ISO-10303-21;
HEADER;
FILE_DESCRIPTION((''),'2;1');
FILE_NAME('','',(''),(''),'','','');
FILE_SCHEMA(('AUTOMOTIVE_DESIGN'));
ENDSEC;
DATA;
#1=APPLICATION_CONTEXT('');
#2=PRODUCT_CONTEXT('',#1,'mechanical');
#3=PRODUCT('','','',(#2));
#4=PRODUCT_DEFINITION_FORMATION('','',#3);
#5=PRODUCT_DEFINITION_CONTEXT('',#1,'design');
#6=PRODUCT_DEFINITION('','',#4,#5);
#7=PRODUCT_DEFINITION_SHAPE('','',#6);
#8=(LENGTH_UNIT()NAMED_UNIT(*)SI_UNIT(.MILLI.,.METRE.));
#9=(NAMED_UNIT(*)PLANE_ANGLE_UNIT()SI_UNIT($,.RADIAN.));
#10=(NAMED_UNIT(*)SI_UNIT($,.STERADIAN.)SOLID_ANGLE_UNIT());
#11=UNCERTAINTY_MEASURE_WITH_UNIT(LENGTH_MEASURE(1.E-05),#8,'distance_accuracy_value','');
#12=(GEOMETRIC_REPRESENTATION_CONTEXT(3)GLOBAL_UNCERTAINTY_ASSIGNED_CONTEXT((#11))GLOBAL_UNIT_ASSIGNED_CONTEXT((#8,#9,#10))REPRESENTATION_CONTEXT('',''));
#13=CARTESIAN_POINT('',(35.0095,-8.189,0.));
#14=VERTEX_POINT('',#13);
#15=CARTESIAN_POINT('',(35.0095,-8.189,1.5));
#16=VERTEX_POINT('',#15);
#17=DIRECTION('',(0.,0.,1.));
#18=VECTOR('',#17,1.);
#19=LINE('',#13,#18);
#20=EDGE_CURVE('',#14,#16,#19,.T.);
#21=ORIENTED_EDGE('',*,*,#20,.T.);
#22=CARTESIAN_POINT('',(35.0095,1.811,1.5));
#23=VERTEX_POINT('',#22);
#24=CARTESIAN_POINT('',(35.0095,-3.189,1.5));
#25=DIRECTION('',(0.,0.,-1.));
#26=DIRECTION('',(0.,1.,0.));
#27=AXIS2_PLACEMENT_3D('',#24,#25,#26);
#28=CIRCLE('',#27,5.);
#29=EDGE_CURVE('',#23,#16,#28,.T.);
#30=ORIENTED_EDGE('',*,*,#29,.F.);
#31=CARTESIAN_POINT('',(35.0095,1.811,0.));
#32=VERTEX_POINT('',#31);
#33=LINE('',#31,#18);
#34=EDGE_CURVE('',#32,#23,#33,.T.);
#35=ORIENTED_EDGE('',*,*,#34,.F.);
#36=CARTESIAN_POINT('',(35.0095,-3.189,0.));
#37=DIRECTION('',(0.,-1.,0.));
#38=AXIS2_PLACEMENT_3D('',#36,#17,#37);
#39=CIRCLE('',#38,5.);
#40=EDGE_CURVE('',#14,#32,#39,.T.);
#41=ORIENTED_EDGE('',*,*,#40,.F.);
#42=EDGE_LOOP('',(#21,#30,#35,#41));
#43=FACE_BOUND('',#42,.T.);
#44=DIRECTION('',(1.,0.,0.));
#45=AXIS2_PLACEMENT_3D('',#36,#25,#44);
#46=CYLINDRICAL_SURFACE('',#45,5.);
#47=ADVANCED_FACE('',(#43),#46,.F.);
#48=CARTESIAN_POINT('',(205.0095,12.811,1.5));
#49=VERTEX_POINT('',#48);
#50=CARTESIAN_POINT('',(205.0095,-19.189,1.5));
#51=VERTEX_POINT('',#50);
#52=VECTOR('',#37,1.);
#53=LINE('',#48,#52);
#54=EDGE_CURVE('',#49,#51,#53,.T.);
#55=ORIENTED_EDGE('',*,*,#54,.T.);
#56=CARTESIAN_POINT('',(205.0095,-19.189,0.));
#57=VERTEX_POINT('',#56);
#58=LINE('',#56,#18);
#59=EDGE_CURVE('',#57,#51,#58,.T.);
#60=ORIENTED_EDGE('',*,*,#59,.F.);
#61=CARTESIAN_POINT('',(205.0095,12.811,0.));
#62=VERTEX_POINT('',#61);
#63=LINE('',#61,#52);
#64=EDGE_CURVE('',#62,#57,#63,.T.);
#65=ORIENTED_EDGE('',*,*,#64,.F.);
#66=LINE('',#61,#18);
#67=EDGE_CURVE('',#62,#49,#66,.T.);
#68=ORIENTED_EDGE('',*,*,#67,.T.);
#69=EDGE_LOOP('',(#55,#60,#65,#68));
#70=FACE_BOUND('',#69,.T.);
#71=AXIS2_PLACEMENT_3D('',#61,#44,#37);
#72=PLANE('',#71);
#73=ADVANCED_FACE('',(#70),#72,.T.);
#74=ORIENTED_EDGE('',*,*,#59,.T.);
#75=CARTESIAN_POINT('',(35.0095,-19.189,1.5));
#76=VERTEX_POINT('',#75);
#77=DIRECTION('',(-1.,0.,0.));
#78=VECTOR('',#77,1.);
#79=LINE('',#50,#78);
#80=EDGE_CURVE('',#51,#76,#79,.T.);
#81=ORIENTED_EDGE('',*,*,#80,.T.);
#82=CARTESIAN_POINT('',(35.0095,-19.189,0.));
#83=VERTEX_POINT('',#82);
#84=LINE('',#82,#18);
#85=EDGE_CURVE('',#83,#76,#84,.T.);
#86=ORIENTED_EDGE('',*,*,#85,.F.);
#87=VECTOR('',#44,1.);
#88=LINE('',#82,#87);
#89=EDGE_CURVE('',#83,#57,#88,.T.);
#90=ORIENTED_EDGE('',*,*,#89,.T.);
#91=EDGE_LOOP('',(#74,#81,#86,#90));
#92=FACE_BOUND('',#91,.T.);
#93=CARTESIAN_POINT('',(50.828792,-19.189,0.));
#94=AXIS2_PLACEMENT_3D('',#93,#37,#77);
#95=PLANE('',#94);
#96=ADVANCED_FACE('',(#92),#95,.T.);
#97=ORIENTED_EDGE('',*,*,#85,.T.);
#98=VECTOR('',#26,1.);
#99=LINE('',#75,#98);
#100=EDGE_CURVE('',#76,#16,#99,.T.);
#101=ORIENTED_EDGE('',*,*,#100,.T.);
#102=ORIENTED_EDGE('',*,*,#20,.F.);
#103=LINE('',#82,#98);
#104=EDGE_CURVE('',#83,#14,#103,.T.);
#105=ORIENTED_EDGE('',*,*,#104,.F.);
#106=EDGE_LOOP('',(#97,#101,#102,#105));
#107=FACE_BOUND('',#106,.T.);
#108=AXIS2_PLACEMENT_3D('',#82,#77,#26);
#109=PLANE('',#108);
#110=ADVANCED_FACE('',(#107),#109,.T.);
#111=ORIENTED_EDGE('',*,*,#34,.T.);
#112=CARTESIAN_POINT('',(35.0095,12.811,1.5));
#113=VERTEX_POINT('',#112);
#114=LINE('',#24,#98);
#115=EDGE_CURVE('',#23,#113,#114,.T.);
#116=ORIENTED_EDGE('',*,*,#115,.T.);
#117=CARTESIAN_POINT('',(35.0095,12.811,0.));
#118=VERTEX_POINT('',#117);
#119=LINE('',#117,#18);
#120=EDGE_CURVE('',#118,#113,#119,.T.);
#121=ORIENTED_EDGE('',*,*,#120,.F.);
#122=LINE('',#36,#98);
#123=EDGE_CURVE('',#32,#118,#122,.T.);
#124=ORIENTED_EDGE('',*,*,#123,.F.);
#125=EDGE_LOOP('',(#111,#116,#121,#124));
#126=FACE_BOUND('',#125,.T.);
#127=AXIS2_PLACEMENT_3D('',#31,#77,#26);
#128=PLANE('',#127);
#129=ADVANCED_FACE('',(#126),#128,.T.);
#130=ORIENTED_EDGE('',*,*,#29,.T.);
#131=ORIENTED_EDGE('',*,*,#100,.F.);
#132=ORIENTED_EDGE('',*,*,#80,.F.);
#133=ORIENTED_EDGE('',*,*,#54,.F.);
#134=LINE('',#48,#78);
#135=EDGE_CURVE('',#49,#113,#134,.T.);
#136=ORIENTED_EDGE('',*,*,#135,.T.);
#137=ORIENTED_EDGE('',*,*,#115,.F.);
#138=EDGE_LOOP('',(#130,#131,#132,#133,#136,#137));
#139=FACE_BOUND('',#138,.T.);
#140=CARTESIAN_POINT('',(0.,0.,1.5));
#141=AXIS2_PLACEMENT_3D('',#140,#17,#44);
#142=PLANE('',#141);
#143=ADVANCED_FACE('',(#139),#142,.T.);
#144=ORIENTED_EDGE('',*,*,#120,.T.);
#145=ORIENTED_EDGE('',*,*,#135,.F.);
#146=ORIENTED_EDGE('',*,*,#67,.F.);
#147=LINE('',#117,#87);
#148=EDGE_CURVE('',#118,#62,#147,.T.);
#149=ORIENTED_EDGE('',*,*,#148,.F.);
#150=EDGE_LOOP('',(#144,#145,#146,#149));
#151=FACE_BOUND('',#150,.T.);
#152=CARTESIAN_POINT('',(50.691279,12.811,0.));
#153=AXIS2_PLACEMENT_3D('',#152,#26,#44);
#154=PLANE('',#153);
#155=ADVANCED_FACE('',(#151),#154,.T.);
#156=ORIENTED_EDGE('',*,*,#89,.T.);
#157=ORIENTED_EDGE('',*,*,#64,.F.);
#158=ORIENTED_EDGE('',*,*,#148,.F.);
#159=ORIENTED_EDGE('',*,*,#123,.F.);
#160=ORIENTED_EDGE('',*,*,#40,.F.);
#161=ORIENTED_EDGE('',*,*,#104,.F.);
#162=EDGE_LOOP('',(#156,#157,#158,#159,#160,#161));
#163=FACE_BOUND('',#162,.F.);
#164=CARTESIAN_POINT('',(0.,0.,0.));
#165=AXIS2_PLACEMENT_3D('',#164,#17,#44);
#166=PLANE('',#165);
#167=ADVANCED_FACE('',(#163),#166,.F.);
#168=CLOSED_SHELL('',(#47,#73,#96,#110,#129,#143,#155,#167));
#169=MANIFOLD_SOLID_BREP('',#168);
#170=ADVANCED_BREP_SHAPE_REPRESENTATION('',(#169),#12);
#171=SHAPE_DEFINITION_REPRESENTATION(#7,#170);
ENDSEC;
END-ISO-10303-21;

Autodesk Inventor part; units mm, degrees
ref_plane "YZ Plane" through (0, 0, 0) normal (1, 0, 0) x (0, 1, 0)
ref_plane "XZ Plane" through (0, 0, 0) normal (0, 1, 0) x (-1, 0, 0)
ref_plane "XY Plane" through (0, 0, 0) normal (0, 0, 1) x (1, 0, 0)
sketch "スケッチ1" plane through (0, 0, 0) normal (0, 0, 1) x (1, 0, 0)
  circle A0 centre (35.0095, -3.189) radius 22.5 projected
  circle A1 centre (35.0095, -3.189) radius 5 projected
  circle A2 centre (88.6134, 158.1387) radius 17.5
  line L0 (88.6134, 175.6387) -> (14.3927, 5.8219)
  line L1 (35.6723, -25.6792) -> (104.9163, 151.7773)
  line L2 (35.0095, -3.189) -> (35.0095, 12.811)
  line L3 (35.0095, 12.811) -> (205.0095, 12.811)
  line L4 (205.0095, 12.811) -> (205.0095, -19.189)
  line L5 (205.0095, -19.189) -> (35.0095, -19.189)
  line L6 (35.0095, -19.189) -> (35.0095, 12.811)
  circle A3 centre (88.6134, 158.1387) radius 5
  point P0 (0, 0)
  point P1 (35.0095, 1.811)
  point P2 (35.0095, -8.189)
  point P3 (205.0095, -8.189)
  point P4 (205.0095, 1.811)
  dimension "d0" = 35
  dimension "d1" = 170
  dimension "d4" = 16
  dimension "d5" = 170
  dimension "d6" = 32
  dimension "d7" = 10
extrude "押し出し1" add sketch "スケッチ1" along normal blind 1.5 contours L5 L1 L3 A0 | A0 L3 L4 L5 | L5 L6 A1 L2 L3 L1
